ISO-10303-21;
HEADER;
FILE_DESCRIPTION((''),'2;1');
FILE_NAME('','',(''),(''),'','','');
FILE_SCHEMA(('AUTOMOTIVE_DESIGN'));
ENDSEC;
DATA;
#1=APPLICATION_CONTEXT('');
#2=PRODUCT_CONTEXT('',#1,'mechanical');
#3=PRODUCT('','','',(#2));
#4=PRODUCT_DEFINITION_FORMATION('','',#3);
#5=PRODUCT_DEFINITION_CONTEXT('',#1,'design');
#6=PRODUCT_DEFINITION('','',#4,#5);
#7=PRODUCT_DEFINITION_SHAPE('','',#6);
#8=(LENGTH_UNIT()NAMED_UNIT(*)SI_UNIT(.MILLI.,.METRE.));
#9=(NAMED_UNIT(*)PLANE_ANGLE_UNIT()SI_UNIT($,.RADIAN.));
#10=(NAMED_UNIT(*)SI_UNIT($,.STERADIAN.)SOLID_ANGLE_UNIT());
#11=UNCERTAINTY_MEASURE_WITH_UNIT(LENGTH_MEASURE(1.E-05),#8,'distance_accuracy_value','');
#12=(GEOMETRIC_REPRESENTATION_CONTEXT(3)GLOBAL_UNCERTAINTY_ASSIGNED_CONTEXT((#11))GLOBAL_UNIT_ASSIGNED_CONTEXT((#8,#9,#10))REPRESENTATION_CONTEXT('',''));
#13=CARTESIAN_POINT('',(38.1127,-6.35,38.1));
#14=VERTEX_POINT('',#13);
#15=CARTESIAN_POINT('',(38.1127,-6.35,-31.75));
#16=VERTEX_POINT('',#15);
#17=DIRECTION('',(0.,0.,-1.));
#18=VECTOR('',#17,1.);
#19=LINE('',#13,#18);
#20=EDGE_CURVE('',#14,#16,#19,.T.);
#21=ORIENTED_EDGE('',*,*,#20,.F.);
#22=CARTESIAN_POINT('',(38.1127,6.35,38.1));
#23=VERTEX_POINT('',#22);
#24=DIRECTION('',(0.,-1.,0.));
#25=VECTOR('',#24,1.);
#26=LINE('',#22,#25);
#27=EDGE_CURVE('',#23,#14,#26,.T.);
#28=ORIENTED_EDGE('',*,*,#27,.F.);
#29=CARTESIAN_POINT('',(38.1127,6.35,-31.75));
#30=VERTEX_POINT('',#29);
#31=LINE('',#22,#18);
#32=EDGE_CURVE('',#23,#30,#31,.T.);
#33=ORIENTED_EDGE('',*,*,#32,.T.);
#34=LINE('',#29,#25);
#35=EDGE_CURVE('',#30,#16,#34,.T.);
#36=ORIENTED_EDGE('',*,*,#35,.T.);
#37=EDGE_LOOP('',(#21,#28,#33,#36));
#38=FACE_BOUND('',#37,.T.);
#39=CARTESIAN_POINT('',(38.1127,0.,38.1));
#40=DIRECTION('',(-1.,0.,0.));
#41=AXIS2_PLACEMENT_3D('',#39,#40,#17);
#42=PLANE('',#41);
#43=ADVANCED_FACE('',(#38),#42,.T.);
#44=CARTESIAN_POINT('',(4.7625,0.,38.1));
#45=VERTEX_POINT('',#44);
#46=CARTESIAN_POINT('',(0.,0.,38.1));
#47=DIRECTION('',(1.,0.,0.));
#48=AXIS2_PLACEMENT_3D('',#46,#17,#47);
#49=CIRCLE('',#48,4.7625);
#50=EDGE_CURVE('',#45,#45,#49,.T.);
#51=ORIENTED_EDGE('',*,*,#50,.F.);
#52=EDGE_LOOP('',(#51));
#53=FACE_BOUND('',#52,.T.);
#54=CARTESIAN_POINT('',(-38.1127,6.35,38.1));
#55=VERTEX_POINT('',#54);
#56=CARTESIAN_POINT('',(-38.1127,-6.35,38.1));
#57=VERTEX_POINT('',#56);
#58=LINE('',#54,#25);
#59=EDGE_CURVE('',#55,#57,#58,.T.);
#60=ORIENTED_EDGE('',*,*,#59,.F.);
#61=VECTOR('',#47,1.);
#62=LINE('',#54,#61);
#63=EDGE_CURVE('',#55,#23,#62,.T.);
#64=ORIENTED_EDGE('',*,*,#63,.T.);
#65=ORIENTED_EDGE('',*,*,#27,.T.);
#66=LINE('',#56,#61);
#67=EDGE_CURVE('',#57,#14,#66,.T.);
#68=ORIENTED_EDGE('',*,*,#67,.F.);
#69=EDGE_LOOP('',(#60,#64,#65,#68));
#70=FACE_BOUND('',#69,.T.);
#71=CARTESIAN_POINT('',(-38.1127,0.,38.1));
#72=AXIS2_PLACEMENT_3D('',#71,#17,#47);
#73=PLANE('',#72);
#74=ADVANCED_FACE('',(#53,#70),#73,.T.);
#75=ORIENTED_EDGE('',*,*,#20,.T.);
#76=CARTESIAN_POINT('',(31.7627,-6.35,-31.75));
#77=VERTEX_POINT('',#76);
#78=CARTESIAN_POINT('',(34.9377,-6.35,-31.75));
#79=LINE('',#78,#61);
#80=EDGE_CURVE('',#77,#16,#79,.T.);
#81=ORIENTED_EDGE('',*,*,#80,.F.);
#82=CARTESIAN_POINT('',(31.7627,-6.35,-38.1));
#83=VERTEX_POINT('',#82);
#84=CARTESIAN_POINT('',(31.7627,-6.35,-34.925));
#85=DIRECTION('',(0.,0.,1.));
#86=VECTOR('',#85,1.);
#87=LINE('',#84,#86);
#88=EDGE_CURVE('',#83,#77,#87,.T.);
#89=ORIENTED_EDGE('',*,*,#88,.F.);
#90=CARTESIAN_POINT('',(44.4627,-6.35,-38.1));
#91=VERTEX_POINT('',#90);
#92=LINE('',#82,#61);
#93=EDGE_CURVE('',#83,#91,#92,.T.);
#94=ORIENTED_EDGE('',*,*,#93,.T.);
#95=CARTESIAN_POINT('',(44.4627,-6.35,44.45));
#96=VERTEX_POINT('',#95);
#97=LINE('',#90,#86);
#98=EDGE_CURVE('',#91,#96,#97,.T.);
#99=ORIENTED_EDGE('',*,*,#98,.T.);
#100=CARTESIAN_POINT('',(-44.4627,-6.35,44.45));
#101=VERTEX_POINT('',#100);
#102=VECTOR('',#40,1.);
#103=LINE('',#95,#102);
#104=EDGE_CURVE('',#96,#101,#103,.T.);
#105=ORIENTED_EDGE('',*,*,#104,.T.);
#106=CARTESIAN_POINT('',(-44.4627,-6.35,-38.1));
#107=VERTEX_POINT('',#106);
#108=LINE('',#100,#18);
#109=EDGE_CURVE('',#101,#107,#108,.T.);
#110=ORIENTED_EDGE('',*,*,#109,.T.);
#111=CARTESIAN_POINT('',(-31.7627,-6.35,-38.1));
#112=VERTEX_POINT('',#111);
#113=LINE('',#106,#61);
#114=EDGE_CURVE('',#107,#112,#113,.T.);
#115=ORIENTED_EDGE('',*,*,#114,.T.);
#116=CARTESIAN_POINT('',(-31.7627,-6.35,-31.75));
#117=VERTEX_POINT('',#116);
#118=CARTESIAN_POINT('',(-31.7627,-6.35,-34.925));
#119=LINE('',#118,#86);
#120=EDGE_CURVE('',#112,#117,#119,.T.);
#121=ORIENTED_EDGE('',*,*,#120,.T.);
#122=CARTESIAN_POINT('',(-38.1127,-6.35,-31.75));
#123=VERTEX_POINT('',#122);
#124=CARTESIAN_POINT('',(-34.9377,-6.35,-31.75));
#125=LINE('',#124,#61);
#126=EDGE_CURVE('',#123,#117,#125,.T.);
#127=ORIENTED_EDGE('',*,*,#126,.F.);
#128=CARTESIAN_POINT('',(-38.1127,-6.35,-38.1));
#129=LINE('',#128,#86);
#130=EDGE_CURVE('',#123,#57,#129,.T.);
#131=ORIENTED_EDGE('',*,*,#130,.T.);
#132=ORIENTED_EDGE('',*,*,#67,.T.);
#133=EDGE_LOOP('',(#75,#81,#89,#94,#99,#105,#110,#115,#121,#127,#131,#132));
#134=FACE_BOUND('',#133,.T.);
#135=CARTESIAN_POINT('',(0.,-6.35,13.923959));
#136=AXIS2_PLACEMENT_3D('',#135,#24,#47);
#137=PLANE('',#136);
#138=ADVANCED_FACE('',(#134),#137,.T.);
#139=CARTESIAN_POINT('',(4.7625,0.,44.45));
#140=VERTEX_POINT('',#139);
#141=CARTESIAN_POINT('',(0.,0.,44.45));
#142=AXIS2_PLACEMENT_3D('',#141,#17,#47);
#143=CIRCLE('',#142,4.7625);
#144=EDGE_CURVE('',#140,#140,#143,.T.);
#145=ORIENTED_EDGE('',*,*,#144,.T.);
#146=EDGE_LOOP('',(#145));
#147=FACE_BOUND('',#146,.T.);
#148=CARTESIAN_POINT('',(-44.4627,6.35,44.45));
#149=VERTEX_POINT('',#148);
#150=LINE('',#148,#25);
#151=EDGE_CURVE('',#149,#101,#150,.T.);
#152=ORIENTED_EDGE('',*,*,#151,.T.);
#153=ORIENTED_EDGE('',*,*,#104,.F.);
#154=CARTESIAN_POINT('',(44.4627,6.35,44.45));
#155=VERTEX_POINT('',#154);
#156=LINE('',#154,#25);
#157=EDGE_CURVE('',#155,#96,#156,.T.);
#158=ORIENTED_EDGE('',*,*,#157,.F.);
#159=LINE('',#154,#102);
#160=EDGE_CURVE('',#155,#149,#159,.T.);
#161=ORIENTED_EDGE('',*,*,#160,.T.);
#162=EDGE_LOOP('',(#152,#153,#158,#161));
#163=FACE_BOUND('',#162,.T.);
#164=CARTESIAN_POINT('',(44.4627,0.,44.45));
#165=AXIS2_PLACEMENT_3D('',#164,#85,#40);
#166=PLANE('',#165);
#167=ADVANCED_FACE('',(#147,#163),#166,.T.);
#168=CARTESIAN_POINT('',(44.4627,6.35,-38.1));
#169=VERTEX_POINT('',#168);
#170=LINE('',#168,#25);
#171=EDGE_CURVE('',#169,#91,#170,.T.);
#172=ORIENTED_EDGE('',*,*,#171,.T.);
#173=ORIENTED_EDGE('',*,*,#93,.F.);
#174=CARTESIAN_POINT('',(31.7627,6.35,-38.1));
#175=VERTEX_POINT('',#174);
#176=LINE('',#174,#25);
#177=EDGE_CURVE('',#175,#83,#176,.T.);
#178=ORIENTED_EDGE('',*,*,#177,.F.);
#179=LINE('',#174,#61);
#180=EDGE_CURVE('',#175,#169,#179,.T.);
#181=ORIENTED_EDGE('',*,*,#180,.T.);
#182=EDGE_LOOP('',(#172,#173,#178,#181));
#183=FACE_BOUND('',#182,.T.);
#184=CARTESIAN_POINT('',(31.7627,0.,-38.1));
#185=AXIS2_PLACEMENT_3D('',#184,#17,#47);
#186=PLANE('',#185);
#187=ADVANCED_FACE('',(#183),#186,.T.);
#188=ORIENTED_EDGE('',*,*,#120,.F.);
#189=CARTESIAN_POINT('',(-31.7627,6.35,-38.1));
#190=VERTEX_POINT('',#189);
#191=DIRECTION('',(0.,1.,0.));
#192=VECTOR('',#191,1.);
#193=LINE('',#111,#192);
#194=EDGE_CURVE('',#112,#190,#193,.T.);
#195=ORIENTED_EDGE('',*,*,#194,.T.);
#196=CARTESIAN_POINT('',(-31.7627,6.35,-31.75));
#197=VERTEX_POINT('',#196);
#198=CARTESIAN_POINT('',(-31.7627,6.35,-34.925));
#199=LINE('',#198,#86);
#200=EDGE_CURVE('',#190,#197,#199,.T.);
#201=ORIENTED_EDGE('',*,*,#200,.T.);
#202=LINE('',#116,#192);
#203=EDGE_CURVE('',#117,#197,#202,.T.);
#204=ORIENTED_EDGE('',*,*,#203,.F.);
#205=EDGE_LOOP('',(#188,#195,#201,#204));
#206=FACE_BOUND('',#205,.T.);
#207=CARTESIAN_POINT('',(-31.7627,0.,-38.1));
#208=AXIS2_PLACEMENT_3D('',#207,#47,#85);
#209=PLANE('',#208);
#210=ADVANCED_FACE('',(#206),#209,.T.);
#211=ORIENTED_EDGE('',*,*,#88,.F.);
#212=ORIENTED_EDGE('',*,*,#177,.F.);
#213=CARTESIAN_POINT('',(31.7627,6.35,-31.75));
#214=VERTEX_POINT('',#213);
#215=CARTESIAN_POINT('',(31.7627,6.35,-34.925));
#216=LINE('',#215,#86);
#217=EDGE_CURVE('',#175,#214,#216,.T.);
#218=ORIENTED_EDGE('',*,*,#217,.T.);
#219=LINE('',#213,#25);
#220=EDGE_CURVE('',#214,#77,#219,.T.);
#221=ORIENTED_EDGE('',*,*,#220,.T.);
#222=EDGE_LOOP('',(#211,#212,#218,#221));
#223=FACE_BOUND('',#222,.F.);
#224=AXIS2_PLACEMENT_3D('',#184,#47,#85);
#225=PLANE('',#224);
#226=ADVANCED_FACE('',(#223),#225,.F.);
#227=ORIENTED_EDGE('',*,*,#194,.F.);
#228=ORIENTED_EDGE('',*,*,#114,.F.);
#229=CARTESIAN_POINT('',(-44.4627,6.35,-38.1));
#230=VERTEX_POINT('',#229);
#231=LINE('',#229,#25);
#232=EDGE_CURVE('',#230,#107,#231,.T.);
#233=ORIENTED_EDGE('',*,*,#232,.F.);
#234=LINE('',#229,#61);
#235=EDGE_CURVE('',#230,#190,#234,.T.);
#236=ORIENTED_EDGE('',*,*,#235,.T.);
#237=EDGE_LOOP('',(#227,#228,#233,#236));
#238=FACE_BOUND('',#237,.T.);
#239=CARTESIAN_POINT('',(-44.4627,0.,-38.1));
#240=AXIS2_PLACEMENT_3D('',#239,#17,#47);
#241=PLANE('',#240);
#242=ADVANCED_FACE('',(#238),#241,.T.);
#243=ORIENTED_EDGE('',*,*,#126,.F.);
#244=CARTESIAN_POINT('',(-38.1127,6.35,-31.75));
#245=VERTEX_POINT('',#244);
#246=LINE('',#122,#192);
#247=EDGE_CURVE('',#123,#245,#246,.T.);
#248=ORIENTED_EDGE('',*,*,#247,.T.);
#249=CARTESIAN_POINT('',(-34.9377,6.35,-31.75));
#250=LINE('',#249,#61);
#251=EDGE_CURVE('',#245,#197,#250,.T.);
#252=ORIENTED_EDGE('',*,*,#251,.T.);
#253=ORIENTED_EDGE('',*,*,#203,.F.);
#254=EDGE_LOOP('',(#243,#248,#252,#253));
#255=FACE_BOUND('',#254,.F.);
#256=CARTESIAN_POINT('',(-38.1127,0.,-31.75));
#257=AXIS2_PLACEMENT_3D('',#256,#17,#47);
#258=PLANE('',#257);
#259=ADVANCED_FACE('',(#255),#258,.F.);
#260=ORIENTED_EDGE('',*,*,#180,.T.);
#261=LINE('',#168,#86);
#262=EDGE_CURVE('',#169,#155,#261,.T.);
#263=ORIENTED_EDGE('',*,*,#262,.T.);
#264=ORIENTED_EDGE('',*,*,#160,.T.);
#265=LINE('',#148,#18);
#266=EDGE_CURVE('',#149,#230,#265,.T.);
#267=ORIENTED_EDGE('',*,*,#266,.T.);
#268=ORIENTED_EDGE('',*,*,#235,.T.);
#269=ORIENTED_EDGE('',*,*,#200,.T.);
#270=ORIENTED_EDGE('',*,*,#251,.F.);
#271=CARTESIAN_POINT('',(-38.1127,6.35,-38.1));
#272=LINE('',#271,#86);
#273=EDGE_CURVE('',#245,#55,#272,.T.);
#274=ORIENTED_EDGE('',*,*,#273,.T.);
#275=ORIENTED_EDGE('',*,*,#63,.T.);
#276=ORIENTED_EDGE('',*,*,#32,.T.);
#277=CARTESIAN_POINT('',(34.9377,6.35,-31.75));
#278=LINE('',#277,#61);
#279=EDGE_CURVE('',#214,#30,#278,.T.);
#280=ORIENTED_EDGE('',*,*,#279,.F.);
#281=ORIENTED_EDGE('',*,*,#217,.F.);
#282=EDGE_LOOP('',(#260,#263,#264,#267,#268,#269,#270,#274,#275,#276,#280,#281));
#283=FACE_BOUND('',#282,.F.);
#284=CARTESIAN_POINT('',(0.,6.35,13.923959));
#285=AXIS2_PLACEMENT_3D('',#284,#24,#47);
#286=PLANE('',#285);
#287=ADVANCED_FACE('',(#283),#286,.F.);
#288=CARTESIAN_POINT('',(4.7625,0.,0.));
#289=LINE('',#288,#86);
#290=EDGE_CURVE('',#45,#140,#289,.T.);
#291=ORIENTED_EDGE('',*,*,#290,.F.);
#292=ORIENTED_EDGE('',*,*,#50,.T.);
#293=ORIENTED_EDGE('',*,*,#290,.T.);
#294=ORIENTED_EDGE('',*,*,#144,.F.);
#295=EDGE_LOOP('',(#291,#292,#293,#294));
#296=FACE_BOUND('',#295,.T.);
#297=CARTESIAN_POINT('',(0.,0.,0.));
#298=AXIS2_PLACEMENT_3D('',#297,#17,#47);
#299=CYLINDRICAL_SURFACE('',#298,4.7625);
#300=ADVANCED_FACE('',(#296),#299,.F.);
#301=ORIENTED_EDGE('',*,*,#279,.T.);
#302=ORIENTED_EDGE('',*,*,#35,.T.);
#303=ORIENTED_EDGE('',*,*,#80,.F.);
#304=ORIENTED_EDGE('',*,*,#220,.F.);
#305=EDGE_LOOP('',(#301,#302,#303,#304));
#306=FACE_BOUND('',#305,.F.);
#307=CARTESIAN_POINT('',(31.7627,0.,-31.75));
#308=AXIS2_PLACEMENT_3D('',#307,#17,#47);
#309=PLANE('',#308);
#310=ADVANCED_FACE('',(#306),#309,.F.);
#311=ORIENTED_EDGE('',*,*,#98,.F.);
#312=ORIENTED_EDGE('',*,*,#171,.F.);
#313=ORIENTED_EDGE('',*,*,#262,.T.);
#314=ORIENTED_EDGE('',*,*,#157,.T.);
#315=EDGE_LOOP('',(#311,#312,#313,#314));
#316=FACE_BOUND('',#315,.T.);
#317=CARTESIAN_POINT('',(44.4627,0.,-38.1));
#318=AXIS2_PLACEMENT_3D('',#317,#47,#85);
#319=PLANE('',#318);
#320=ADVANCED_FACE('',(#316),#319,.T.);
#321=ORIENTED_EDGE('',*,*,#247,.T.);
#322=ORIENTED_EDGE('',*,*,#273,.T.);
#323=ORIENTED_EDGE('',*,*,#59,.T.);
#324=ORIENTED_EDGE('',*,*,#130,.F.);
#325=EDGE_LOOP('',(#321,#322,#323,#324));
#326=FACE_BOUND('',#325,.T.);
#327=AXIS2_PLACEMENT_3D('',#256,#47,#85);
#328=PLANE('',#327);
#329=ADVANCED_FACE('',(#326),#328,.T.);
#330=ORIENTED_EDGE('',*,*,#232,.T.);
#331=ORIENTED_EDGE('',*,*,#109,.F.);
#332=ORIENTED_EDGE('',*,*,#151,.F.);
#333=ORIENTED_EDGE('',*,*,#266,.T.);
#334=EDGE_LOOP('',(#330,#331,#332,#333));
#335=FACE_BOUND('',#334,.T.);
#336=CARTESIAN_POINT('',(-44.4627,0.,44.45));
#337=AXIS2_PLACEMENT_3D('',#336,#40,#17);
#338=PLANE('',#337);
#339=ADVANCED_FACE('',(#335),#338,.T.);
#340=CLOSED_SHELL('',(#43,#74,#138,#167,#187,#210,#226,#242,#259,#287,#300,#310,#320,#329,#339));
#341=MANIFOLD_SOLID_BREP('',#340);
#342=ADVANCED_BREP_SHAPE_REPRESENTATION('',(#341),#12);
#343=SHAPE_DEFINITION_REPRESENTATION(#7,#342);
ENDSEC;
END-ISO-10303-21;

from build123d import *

# Parameters (mm, degrees)
F0_W     = 6.35
F0_H     = 6.35
F1_DEPTH = 6.35
F2_R     = 4.7625
F3_DEPTH = 152.4


with BuildPart() as f1:
    # F0 (on Front) → F1 (new body, symmetric)
    with BuildSketch(Plane.XZ):
        Polygon((-38.1127, -31.75), (-38.1127, 38.1), (38.1127, 38.1), (38.1127, -31.75), (38.1127, -38.1), (44.4627, -38.1), (44.4627, 44.45), (-44.4627, 44.45), (-44.4627, -38.1), (-38.1127, -38.1), align=None)
        with Locations((-34.9377, -34.925)):
            Rectangle(F0_W, F0_H)
        with Locations((34.9377, -34.925)):
            Rectangle(F0_W, F0_H)
    extrude(amount=F1_DEPTH, both=True)

    # F2 (on Top) → F3 (cut)
    with BuildSketch(Plane.XY):
        Circle(F2_R)
    extrude(amount=F3_DEPTH, mode=Mode.SUBTRACT)


solid = f1.part
